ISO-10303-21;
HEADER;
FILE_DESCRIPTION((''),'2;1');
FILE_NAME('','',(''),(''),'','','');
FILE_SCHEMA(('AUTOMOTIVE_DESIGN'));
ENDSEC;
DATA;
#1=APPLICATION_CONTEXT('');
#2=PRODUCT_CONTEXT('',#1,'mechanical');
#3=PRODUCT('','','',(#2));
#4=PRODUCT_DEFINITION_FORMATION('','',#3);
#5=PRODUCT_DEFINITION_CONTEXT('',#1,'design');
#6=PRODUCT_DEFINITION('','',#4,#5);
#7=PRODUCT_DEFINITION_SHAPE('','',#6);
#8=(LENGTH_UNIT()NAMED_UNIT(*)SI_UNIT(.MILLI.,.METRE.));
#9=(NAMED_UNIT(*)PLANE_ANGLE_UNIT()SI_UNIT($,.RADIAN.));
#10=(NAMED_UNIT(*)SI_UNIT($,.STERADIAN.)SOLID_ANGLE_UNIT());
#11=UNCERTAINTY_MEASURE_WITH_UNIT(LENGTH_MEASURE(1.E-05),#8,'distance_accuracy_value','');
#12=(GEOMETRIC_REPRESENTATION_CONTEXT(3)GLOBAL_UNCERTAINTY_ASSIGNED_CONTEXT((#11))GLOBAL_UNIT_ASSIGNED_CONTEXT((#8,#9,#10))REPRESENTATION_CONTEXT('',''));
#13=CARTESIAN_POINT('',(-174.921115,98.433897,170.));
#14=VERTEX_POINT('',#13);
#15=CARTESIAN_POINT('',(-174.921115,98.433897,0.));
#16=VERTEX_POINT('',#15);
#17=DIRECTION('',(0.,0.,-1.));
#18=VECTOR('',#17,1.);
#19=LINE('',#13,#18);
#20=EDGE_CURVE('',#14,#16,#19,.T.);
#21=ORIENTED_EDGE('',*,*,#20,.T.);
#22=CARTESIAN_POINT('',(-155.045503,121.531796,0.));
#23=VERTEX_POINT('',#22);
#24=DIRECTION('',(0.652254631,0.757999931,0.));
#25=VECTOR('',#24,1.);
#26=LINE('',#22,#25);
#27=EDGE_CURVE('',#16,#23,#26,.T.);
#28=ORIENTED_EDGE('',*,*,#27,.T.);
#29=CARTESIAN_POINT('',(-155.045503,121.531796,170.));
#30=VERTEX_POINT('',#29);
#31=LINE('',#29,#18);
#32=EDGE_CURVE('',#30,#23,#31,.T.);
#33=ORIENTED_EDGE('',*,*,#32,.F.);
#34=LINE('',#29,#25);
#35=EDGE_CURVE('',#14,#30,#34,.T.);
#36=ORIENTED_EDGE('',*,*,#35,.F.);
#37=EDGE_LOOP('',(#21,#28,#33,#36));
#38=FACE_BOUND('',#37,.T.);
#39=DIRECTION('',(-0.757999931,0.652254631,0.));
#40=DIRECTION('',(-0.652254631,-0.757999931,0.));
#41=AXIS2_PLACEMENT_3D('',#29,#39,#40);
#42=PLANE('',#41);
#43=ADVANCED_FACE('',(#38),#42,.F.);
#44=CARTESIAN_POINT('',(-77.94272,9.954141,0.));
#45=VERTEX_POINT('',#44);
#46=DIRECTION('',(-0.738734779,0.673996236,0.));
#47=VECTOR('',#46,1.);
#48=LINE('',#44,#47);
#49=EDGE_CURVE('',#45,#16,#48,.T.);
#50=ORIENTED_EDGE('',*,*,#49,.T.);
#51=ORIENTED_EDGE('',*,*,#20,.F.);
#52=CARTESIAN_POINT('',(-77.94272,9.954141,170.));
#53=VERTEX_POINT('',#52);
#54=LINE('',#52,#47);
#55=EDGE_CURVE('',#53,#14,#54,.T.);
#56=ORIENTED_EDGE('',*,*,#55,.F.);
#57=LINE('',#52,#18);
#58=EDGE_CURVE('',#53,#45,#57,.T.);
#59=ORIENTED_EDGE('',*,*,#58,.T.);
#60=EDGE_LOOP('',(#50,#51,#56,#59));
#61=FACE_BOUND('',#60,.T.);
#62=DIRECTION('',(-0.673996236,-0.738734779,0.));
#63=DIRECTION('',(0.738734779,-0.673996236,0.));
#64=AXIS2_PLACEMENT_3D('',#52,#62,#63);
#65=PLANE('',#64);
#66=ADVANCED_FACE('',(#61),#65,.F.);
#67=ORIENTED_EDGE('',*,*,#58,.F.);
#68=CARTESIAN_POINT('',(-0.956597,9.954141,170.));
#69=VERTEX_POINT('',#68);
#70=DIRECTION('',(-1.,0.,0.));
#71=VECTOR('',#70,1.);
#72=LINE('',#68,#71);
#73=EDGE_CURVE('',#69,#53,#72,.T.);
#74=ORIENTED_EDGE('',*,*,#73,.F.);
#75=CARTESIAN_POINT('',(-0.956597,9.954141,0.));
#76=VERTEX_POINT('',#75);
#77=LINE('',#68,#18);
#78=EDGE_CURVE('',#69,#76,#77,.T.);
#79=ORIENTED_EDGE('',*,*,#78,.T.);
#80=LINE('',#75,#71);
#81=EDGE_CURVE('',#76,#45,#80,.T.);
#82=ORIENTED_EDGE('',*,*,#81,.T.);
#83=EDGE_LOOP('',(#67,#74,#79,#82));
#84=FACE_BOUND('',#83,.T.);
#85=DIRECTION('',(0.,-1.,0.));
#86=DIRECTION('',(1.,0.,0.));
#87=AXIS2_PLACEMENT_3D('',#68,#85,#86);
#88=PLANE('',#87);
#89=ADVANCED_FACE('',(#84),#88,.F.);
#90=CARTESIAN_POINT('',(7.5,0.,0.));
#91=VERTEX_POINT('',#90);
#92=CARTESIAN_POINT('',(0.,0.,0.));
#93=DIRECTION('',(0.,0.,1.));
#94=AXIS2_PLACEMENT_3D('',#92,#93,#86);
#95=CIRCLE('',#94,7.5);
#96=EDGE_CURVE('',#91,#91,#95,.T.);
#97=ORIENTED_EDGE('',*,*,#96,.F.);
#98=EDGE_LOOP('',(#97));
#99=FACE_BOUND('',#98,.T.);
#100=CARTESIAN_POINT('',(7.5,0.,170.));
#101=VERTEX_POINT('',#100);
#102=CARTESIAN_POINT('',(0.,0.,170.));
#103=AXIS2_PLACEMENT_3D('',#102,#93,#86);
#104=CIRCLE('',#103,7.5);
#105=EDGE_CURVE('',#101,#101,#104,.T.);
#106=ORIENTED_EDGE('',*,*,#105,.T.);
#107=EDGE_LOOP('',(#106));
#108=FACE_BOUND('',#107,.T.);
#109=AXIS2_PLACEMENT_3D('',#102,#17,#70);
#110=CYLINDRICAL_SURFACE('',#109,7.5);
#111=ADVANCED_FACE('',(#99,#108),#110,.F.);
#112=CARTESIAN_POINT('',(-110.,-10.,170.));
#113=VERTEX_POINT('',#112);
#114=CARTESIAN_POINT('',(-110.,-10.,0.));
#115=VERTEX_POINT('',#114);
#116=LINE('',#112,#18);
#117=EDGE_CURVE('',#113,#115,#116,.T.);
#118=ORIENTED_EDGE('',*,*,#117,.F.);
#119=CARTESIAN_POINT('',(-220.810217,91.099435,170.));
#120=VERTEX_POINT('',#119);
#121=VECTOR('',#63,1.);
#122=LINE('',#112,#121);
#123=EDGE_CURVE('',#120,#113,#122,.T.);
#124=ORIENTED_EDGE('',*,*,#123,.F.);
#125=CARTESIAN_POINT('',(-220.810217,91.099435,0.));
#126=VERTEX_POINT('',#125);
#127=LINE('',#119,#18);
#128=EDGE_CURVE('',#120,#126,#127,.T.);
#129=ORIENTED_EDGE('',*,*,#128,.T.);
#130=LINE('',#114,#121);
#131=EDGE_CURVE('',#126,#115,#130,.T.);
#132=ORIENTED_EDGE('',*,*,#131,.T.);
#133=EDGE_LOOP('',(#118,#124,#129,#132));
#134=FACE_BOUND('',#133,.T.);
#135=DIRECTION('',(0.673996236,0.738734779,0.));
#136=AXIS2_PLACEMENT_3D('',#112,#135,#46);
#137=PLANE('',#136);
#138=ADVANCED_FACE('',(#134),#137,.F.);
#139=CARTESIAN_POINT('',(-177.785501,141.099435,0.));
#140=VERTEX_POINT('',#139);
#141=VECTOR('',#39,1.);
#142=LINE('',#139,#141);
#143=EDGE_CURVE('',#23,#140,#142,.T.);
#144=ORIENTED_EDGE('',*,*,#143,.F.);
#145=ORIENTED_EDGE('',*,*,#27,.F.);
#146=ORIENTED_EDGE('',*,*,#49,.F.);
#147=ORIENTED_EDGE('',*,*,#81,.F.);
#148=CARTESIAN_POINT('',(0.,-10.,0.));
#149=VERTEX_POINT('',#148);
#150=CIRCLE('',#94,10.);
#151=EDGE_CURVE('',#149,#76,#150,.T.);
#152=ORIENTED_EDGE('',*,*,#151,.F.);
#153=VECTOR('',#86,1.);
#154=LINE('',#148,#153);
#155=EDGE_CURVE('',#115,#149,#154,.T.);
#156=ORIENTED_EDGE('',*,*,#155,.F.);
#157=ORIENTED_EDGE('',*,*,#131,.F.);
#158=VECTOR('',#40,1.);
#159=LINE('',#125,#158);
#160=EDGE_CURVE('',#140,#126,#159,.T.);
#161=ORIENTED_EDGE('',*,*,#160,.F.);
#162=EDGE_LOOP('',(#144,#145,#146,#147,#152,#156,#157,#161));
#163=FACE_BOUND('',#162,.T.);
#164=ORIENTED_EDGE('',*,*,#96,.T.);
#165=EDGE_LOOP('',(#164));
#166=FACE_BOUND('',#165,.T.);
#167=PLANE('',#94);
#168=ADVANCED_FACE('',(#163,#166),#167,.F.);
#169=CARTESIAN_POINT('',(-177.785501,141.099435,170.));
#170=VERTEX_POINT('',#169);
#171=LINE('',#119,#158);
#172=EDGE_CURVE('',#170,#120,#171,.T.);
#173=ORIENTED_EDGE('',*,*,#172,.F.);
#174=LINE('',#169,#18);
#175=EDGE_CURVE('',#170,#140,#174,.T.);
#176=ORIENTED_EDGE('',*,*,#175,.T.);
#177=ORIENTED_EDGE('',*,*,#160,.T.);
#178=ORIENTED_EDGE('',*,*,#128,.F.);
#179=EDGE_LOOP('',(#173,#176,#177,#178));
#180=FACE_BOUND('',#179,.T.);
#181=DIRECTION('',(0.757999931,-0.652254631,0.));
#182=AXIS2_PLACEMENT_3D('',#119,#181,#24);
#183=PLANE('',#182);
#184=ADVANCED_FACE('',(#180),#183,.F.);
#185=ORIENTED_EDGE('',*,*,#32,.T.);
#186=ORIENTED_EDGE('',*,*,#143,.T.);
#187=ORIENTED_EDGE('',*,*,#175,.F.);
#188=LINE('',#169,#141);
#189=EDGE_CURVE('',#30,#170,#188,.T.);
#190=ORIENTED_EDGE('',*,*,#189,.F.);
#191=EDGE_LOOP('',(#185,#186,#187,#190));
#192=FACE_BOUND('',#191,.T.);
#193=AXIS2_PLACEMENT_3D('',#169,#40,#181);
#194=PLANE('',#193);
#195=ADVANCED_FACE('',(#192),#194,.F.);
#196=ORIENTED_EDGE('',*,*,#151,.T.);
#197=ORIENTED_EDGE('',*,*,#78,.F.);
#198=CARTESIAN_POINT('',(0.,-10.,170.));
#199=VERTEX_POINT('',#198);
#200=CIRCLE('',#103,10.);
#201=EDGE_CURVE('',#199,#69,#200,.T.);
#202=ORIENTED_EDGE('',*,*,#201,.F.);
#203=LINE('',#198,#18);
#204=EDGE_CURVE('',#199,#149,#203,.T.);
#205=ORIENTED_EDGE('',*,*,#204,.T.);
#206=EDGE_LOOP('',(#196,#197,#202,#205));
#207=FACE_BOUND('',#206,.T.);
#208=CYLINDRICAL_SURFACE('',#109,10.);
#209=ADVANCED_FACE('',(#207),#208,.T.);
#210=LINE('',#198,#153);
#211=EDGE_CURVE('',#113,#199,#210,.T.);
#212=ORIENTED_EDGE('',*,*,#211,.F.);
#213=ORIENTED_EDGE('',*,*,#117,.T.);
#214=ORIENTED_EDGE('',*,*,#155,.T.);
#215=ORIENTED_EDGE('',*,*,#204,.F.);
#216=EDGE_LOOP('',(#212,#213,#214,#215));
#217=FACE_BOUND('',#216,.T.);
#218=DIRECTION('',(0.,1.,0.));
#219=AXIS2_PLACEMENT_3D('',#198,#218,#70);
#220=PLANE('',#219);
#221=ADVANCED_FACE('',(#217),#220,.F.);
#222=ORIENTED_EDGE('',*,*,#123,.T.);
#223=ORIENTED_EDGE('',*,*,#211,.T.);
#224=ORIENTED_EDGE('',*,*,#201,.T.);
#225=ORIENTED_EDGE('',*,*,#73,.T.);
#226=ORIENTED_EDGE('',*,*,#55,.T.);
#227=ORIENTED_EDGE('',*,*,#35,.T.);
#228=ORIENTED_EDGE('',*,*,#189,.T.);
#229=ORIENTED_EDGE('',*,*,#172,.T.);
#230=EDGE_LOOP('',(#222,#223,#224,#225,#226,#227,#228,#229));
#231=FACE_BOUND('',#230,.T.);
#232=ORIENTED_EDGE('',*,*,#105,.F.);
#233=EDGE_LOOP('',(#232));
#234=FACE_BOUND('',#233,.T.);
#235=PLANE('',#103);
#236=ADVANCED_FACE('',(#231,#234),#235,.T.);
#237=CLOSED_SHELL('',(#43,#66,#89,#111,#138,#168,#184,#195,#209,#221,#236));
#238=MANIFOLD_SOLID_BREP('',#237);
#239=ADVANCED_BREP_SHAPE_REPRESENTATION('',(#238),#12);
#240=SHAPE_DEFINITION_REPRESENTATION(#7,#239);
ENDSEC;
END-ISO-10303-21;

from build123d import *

# Parameters (mm, degrees)
SKETCH_1_R      = 7.5
EXTRUDE_1_DEPTH = 170


with BuildPart() as part:
    # 草图1 → 凸台-拉伸1 (new body)
    with BuildSketch(Plane.XY):
        with BuildLine():
            Line((0, -10), (-110, -10))
            Line((-110, -10), (-220.810216861, 91.099435405))
            Line((-220.810216861, 91.099435405), (-177.785501138, 141.099435405))
            Line((-177.785501138, 141.099435405), (-155.045503197, 121.531796466))
            Line((-155.045503197, 121.531796466), (-174.921114521, 98.433896817))
            Line((-174.921114521, 98.433896817), (-77.942720008, 9.954140983))
            Line((-77.942720008, 9.954140983), (-0.956596724, 9.954140983))
            ThreePointArc((-0.956596724, 9.954140983), (9.988528666, 0.478847664), (0, -10))
        make_face()
        Circle(SKETCH_1_R, mode=Mode.SUBTRACT)
    extrude(amount=EXTRUDE_1_DEPTH)


solid = part.part
